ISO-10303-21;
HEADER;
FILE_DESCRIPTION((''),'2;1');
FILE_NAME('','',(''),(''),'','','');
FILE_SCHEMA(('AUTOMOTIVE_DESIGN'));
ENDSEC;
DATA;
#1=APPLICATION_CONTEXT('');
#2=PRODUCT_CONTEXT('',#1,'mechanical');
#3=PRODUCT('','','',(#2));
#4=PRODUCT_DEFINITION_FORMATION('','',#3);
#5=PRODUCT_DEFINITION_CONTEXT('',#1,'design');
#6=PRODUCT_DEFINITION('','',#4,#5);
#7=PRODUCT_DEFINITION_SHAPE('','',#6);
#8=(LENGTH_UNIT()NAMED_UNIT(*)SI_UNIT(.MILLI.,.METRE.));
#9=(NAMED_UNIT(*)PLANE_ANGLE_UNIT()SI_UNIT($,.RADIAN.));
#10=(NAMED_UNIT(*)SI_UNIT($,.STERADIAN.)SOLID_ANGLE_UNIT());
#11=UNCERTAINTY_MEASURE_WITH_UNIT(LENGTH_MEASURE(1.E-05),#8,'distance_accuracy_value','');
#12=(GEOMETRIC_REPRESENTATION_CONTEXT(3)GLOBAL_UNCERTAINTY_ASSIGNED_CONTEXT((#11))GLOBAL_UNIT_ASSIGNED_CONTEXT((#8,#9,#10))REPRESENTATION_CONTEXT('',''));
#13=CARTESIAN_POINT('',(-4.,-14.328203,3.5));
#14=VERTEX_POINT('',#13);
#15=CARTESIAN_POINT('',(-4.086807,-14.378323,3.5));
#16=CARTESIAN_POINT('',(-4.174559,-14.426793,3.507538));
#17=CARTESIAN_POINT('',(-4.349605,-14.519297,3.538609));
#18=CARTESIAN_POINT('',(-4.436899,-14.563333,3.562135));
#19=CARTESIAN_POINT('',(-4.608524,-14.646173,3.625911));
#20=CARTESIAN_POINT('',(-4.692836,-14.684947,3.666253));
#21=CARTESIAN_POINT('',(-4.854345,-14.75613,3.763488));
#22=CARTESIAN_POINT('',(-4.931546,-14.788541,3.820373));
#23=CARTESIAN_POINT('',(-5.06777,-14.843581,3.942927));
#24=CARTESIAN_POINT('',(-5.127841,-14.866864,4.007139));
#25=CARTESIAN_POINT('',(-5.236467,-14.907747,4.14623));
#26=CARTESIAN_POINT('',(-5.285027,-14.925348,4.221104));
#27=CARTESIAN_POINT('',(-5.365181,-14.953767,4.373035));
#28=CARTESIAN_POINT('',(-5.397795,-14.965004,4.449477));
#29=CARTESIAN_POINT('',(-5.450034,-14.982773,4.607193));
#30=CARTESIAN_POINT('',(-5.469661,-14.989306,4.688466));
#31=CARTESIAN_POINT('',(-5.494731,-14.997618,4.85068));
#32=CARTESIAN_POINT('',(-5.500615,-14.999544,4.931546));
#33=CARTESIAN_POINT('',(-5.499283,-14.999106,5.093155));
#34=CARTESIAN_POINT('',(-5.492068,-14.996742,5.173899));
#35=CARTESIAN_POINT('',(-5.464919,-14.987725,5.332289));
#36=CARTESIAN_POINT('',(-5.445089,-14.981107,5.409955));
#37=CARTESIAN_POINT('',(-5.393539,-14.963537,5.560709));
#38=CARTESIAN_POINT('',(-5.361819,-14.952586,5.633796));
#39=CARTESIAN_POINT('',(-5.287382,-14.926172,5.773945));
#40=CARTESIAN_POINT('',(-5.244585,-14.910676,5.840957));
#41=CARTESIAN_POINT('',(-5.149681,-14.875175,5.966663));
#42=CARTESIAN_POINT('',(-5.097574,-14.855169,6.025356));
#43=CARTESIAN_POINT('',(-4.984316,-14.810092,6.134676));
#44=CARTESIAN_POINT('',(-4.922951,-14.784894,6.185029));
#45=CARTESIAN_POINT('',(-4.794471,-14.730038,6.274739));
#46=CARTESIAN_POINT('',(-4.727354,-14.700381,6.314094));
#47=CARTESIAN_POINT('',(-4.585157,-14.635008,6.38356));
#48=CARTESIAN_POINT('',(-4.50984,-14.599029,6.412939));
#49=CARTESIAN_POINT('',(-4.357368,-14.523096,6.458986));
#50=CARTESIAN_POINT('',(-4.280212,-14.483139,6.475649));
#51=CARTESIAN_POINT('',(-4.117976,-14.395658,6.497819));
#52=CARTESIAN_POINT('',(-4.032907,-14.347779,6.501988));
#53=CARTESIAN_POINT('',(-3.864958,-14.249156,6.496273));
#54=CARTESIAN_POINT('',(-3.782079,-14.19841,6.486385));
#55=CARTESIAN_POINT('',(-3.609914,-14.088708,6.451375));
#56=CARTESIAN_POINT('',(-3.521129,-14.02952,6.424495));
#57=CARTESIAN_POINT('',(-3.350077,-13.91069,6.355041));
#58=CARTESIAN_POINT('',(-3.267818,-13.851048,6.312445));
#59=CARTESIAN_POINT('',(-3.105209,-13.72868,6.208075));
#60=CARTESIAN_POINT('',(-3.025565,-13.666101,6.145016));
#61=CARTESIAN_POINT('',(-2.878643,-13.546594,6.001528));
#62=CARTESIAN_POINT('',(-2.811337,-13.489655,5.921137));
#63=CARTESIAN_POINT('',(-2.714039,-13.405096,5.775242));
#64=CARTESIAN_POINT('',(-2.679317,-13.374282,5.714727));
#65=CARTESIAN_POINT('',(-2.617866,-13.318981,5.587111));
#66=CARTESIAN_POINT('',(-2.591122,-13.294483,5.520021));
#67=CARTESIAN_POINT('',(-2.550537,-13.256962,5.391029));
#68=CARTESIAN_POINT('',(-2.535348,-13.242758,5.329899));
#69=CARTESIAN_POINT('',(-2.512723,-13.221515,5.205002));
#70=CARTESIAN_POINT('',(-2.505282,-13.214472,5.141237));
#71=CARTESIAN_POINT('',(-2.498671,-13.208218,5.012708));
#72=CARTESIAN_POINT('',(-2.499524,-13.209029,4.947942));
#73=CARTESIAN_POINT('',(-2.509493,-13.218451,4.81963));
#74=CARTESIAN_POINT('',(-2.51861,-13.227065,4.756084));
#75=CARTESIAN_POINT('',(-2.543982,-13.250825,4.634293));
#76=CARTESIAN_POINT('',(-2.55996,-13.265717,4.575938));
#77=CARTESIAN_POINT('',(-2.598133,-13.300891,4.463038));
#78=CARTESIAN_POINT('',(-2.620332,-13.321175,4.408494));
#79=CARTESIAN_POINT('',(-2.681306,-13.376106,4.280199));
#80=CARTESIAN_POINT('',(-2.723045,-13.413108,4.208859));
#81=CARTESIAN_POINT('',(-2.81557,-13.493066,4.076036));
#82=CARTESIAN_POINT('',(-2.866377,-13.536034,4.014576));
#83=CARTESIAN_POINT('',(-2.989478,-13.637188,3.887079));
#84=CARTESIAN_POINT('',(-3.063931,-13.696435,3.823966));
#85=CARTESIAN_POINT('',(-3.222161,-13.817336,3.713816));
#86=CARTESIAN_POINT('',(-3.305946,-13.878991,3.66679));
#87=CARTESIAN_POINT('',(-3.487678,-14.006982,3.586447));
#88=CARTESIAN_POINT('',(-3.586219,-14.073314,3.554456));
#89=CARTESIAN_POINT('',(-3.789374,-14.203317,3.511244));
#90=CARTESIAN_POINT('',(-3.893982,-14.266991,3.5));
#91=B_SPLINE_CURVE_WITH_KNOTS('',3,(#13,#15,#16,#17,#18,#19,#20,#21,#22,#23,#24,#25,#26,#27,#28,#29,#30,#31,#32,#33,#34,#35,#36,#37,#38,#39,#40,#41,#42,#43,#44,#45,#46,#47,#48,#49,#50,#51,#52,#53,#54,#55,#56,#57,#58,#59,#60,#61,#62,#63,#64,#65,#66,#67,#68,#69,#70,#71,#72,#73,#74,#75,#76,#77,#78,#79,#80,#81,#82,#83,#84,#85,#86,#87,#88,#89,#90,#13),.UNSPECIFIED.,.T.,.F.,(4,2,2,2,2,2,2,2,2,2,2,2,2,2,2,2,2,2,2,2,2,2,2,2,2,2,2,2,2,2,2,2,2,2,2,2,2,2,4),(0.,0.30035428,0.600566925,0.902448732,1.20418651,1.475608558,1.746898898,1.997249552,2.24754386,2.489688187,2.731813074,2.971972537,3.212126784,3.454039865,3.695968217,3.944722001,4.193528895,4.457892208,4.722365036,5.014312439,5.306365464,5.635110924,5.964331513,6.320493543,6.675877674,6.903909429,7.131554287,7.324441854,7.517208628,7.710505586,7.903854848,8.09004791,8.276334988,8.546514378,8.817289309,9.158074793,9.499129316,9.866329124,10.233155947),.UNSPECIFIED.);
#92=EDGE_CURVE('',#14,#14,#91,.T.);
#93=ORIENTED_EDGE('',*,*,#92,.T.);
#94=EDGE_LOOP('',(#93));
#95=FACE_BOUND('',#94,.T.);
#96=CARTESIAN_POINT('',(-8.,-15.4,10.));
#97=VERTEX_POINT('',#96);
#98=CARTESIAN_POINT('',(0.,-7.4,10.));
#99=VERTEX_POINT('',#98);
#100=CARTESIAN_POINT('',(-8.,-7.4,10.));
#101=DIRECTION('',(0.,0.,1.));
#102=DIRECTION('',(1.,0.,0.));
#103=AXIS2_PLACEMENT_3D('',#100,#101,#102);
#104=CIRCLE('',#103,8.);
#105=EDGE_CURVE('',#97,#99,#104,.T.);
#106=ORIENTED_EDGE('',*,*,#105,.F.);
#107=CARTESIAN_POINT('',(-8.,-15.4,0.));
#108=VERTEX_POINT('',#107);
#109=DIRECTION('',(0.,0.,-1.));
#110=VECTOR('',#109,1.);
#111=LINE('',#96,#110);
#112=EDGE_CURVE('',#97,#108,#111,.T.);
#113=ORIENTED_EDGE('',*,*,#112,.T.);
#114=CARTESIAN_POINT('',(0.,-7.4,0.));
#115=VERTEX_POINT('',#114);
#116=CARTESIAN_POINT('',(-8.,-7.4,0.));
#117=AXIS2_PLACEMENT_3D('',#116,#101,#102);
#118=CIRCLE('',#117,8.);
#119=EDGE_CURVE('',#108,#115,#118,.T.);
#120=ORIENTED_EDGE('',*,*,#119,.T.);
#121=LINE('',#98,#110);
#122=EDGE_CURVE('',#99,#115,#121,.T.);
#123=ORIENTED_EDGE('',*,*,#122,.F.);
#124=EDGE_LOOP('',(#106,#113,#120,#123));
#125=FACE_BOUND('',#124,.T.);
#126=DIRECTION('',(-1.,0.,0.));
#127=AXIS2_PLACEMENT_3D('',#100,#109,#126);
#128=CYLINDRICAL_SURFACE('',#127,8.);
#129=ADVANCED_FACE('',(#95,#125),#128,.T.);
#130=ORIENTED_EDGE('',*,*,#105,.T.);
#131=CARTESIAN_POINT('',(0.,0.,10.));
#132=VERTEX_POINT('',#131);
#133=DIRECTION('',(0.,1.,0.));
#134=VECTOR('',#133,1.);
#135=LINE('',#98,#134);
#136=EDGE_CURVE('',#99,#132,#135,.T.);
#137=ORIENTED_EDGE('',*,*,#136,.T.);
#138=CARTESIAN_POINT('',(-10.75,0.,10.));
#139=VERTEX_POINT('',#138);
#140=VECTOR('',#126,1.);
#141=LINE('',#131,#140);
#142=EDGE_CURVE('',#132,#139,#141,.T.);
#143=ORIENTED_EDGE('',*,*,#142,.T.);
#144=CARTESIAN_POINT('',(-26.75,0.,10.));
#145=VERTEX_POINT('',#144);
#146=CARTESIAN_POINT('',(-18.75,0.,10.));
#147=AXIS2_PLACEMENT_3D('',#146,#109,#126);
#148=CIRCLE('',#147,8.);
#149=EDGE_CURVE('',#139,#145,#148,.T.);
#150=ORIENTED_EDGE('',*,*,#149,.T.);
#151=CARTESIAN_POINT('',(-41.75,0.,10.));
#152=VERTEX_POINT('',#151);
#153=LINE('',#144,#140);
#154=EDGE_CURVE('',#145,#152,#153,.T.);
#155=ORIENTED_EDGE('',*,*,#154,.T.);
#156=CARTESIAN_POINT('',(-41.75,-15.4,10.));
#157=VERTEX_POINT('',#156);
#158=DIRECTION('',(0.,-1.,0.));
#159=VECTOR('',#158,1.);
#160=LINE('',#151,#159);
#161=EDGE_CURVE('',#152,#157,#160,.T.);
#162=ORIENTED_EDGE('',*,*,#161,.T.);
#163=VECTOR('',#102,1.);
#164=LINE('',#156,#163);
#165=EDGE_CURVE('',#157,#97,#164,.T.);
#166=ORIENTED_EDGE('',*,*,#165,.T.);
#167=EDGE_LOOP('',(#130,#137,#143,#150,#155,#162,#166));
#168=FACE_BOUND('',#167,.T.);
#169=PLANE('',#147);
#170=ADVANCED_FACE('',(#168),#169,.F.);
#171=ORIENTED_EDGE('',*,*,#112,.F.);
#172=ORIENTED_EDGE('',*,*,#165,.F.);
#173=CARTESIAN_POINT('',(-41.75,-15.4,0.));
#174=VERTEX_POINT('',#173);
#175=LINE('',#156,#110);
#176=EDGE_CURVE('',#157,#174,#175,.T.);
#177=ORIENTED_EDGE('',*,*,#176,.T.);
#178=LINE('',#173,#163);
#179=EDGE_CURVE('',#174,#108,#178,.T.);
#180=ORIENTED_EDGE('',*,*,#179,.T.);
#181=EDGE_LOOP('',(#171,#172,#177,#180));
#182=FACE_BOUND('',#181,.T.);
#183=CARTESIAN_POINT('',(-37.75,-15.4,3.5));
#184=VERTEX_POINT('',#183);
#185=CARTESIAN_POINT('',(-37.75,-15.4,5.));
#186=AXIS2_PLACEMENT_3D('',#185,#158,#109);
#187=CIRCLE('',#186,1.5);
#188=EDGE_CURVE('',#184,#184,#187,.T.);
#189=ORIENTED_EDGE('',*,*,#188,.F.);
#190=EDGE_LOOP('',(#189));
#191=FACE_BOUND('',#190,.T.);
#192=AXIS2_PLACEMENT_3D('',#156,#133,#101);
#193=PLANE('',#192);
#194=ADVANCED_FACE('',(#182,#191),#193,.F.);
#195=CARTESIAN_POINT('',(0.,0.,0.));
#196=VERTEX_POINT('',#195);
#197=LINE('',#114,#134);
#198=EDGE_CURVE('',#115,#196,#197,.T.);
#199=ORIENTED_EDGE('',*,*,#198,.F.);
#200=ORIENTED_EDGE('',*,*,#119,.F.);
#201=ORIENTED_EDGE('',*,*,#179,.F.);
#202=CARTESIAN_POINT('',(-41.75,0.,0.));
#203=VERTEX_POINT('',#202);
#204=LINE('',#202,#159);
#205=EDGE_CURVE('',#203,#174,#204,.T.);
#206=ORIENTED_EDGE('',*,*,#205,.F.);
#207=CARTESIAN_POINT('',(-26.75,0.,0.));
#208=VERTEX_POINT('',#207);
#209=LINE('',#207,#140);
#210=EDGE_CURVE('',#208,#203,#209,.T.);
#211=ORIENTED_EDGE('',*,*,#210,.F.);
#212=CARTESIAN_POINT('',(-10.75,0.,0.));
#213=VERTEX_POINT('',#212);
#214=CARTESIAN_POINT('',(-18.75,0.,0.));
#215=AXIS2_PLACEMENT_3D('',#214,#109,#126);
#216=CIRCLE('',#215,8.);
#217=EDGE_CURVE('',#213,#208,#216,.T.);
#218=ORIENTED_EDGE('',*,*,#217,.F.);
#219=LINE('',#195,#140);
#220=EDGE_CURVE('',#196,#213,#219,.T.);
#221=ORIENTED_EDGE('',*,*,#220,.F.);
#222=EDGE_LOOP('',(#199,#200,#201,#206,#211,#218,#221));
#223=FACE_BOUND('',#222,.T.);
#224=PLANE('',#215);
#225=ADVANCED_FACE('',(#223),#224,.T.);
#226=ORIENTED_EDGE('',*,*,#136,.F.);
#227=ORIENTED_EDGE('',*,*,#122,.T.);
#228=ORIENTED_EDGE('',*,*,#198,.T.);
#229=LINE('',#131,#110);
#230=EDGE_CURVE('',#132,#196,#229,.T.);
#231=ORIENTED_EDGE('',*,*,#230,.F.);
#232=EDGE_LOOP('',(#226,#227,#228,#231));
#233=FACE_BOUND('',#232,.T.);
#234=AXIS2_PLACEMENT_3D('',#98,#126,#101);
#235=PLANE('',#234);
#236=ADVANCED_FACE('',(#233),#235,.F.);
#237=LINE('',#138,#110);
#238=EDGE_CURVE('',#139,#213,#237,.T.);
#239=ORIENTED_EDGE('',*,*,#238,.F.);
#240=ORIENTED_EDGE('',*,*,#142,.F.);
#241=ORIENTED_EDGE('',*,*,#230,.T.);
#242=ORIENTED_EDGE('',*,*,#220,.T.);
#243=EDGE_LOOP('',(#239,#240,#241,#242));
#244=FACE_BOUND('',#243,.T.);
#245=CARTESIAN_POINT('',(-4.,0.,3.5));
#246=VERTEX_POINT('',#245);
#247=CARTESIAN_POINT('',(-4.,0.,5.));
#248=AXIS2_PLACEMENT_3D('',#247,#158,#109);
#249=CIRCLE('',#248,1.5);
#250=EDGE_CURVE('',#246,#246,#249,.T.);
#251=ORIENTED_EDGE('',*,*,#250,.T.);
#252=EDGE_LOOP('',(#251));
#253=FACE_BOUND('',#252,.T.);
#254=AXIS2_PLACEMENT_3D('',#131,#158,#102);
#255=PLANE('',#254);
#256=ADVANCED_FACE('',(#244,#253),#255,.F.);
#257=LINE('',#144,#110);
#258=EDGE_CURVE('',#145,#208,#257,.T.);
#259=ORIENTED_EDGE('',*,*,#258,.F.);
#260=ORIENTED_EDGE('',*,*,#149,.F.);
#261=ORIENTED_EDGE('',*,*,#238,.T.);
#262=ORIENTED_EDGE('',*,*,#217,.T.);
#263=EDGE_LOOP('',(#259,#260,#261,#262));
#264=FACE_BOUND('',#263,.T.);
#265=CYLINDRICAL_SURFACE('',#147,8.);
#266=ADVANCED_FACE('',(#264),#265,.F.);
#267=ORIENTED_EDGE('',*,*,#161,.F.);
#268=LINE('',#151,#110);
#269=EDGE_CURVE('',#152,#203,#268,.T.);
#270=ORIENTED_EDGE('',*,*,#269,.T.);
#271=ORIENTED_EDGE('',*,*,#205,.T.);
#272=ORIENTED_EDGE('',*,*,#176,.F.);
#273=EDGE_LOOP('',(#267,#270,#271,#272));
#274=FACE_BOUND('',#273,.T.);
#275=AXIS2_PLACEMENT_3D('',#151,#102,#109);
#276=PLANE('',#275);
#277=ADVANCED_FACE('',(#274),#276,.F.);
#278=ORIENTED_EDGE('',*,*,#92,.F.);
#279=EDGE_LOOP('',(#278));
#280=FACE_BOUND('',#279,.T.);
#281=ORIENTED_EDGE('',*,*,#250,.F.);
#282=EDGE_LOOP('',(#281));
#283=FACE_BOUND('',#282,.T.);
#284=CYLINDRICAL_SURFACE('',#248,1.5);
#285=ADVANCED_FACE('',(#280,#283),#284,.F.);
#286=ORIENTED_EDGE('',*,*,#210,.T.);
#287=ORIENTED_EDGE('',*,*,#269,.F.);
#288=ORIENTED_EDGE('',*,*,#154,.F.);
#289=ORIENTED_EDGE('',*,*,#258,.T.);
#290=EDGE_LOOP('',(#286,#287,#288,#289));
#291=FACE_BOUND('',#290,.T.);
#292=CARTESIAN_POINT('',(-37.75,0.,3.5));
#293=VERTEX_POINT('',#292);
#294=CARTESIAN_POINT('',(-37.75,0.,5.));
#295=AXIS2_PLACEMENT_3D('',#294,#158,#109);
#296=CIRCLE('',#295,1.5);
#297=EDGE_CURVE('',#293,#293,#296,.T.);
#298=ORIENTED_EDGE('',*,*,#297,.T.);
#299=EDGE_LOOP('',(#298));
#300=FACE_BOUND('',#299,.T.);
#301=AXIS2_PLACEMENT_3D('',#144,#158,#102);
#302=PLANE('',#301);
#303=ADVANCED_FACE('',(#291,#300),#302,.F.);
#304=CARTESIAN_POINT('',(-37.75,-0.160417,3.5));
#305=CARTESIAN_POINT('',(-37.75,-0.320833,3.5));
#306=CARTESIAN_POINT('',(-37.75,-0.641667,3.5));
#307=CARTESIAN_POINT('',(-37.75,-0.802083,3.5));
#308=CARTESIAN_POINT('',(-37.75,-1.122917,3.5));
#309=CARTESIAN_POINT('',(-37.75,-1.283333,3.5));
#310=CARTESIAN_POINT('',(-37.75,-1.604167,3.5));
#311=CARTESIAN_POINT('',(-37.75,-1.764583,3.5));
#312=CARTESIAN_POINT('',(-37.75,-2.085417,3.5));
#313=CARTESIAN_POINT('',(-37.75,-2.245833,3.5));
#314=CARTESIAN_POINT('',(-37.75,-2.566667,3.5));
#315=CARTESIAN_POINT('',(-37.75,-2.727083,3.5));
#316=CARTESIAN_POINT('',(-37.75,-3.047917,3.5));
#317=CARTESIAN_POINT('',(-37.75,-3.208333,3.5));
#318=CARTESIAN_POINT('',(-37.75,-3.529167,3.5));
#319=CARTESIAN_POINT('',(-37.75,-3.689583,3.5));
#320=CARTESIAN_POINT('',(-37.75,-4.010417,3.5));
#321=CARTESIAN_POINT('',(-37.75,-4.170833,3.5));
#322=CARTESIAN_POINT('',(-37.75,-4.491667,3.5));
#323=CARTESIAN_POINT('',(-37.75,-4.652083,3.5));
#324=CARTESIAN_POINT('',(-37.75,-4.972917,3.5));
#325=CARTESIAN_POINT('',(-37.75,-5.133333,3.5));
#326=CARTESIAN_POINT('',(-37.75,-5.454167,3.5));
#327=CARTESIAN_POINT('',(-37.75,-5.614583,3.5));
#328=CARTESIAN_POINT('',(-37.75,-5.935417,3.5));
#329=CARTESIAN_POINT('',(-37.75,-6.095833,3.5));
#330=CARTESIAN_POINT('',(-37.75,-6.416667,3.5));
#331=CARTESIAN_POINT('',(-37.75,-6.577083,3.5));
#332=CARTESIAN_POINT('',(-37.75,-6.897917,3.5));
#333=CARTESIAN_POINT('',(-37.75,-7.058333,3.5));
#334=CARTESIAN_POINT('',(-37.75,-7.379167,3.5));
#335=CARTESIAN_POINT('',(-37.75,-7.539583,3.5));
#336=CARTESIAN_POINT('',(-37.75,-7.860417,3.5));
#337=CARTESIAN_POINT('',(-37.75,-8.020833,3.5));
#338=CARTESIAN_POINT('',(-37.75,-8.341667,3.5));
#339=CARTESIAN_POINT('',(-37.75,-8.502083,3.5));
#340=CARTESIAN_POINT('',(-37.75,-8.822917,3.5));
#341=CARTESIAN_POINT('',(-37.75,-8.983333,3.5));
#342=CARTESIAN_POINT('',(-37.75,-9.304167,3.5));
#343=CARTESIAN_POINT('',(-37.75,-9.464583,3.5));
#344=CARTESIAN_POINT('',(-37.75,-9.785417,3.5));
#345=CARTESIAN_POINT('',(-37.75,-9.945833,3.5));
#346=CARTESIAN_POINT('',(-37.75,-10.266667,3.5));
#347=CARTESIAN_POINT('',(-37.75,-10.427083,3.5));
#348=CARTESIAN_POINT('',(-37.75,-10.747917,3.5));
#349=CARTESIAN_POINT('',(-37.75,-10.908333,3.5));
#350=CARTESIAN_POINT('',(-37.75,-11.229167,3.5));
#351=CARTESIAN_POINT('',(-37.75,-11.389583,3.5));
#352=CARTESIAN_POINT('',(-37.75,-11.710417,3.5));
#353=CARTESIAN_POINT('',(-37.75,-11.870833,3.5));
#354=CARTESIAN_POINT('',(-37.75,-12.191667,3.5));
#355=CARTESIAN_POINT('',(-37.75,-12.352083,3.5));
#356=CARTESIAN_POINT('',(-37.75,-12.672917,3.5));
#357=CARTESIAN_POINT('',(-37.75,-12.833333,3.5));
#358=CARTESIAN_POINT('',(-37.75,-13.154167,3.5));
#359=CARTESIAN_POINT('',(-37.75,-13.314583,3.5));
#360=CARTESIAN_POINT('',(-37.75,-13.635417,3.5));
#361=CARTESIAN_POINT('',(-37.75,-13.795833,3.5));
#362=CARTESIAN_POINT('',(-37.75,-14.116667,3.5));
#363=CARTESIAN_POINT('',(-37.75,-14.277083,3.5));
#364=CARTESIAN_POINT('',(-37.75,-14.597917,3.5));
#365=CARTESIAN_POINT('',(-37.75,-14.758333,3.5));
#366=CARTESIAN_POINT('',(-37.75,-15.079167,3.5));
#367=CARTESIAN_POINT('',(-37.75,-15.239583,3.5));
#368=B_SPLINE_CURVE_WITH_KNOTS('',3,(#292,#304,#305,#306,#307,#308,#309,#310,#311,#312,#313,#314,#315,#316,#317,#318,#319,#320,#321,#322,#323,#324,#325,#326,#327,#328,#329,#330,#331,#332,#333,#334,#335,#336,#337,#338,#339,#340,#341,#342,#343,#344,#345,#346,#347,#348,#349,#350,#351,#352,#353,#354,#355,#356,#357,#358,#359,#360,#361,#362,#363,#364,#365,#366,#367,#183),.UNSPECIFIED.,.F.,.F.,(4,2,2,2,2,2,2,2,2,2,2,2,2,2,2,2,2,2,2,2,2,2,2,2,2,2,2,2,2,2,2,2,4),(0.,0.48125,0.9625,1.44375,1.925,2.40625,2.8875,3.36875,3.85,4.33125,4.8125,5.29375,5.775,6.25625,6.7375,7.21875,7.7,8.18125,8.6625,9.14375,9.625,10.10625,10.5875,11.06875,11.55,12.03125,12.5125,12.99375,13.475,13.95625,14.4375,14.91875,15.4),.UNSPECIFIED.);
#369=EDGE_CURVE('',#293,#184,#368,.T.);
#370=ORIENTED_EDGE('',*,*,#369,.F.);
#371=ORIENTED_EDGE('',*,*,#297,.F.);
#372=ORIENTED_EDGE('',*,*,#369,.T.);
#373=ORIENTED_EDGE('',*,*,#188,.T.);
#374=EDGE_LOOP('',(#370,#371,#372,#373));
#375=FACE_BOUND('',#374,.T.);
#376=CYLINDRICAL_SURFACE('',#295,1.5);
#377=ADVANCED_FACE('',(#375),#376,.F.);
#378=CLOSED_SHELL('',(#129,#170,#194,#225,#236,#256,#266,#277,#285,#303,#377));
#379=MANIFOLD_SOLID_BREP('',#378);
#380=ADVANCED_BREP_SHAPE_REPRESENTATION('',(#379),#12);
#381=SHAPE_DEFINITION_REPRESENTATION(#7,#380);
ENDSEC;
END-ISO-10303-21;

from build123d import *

# Parameters (mm, degrees)
BOSS_EXTRUDE1_DEPTH = 10
SKETCH2_R           = 1.5
CUT_EXTRUDE1_DEPTH  = 46.609456256


with BuildPart() as part:
    # Sketch1 → Boss-Extrude1 (new body)
    with BuildSketch(Plane.XY):
        with BuildLine():
            Line((0, 0), (-10.75, 0))
            ThreePointArc((-10.75, 0), (-18.75, -8), (-26.75, 0))
            Line((-26.75, 0), (-41.75, 0))
            Line((-41.75, 0), (-41.75, -15.4))
            Line((-41.75, -15.4), (-8, -15.4))
            ThreePointArc((-8, -15.4), (-2.343145751, -13.056854249), (0, -7.4))
            Line((0, -7.4), (0, 0))
        make_face()
    extrude(amount=BOSS_EXTRUDE1_DEPTH)

    # Sketch2 → Cut-Extrude1 (cut, through all)
    with BuildSketch(Plane.XZ.offset(15.4)):
        with Locations(Location((-37.75, 5, 0), (0, 0, 270))):
            Circle(SKETCH2_R)
        with Locations(Location((-4, 5, 0), (0, 0, 270))):
            Circle(SKETCH2_R)
    extrude(amount=-CUT_EXTRUDE1_DEPTH, mode=Mode.SUBTRACT)


solid = part.part
